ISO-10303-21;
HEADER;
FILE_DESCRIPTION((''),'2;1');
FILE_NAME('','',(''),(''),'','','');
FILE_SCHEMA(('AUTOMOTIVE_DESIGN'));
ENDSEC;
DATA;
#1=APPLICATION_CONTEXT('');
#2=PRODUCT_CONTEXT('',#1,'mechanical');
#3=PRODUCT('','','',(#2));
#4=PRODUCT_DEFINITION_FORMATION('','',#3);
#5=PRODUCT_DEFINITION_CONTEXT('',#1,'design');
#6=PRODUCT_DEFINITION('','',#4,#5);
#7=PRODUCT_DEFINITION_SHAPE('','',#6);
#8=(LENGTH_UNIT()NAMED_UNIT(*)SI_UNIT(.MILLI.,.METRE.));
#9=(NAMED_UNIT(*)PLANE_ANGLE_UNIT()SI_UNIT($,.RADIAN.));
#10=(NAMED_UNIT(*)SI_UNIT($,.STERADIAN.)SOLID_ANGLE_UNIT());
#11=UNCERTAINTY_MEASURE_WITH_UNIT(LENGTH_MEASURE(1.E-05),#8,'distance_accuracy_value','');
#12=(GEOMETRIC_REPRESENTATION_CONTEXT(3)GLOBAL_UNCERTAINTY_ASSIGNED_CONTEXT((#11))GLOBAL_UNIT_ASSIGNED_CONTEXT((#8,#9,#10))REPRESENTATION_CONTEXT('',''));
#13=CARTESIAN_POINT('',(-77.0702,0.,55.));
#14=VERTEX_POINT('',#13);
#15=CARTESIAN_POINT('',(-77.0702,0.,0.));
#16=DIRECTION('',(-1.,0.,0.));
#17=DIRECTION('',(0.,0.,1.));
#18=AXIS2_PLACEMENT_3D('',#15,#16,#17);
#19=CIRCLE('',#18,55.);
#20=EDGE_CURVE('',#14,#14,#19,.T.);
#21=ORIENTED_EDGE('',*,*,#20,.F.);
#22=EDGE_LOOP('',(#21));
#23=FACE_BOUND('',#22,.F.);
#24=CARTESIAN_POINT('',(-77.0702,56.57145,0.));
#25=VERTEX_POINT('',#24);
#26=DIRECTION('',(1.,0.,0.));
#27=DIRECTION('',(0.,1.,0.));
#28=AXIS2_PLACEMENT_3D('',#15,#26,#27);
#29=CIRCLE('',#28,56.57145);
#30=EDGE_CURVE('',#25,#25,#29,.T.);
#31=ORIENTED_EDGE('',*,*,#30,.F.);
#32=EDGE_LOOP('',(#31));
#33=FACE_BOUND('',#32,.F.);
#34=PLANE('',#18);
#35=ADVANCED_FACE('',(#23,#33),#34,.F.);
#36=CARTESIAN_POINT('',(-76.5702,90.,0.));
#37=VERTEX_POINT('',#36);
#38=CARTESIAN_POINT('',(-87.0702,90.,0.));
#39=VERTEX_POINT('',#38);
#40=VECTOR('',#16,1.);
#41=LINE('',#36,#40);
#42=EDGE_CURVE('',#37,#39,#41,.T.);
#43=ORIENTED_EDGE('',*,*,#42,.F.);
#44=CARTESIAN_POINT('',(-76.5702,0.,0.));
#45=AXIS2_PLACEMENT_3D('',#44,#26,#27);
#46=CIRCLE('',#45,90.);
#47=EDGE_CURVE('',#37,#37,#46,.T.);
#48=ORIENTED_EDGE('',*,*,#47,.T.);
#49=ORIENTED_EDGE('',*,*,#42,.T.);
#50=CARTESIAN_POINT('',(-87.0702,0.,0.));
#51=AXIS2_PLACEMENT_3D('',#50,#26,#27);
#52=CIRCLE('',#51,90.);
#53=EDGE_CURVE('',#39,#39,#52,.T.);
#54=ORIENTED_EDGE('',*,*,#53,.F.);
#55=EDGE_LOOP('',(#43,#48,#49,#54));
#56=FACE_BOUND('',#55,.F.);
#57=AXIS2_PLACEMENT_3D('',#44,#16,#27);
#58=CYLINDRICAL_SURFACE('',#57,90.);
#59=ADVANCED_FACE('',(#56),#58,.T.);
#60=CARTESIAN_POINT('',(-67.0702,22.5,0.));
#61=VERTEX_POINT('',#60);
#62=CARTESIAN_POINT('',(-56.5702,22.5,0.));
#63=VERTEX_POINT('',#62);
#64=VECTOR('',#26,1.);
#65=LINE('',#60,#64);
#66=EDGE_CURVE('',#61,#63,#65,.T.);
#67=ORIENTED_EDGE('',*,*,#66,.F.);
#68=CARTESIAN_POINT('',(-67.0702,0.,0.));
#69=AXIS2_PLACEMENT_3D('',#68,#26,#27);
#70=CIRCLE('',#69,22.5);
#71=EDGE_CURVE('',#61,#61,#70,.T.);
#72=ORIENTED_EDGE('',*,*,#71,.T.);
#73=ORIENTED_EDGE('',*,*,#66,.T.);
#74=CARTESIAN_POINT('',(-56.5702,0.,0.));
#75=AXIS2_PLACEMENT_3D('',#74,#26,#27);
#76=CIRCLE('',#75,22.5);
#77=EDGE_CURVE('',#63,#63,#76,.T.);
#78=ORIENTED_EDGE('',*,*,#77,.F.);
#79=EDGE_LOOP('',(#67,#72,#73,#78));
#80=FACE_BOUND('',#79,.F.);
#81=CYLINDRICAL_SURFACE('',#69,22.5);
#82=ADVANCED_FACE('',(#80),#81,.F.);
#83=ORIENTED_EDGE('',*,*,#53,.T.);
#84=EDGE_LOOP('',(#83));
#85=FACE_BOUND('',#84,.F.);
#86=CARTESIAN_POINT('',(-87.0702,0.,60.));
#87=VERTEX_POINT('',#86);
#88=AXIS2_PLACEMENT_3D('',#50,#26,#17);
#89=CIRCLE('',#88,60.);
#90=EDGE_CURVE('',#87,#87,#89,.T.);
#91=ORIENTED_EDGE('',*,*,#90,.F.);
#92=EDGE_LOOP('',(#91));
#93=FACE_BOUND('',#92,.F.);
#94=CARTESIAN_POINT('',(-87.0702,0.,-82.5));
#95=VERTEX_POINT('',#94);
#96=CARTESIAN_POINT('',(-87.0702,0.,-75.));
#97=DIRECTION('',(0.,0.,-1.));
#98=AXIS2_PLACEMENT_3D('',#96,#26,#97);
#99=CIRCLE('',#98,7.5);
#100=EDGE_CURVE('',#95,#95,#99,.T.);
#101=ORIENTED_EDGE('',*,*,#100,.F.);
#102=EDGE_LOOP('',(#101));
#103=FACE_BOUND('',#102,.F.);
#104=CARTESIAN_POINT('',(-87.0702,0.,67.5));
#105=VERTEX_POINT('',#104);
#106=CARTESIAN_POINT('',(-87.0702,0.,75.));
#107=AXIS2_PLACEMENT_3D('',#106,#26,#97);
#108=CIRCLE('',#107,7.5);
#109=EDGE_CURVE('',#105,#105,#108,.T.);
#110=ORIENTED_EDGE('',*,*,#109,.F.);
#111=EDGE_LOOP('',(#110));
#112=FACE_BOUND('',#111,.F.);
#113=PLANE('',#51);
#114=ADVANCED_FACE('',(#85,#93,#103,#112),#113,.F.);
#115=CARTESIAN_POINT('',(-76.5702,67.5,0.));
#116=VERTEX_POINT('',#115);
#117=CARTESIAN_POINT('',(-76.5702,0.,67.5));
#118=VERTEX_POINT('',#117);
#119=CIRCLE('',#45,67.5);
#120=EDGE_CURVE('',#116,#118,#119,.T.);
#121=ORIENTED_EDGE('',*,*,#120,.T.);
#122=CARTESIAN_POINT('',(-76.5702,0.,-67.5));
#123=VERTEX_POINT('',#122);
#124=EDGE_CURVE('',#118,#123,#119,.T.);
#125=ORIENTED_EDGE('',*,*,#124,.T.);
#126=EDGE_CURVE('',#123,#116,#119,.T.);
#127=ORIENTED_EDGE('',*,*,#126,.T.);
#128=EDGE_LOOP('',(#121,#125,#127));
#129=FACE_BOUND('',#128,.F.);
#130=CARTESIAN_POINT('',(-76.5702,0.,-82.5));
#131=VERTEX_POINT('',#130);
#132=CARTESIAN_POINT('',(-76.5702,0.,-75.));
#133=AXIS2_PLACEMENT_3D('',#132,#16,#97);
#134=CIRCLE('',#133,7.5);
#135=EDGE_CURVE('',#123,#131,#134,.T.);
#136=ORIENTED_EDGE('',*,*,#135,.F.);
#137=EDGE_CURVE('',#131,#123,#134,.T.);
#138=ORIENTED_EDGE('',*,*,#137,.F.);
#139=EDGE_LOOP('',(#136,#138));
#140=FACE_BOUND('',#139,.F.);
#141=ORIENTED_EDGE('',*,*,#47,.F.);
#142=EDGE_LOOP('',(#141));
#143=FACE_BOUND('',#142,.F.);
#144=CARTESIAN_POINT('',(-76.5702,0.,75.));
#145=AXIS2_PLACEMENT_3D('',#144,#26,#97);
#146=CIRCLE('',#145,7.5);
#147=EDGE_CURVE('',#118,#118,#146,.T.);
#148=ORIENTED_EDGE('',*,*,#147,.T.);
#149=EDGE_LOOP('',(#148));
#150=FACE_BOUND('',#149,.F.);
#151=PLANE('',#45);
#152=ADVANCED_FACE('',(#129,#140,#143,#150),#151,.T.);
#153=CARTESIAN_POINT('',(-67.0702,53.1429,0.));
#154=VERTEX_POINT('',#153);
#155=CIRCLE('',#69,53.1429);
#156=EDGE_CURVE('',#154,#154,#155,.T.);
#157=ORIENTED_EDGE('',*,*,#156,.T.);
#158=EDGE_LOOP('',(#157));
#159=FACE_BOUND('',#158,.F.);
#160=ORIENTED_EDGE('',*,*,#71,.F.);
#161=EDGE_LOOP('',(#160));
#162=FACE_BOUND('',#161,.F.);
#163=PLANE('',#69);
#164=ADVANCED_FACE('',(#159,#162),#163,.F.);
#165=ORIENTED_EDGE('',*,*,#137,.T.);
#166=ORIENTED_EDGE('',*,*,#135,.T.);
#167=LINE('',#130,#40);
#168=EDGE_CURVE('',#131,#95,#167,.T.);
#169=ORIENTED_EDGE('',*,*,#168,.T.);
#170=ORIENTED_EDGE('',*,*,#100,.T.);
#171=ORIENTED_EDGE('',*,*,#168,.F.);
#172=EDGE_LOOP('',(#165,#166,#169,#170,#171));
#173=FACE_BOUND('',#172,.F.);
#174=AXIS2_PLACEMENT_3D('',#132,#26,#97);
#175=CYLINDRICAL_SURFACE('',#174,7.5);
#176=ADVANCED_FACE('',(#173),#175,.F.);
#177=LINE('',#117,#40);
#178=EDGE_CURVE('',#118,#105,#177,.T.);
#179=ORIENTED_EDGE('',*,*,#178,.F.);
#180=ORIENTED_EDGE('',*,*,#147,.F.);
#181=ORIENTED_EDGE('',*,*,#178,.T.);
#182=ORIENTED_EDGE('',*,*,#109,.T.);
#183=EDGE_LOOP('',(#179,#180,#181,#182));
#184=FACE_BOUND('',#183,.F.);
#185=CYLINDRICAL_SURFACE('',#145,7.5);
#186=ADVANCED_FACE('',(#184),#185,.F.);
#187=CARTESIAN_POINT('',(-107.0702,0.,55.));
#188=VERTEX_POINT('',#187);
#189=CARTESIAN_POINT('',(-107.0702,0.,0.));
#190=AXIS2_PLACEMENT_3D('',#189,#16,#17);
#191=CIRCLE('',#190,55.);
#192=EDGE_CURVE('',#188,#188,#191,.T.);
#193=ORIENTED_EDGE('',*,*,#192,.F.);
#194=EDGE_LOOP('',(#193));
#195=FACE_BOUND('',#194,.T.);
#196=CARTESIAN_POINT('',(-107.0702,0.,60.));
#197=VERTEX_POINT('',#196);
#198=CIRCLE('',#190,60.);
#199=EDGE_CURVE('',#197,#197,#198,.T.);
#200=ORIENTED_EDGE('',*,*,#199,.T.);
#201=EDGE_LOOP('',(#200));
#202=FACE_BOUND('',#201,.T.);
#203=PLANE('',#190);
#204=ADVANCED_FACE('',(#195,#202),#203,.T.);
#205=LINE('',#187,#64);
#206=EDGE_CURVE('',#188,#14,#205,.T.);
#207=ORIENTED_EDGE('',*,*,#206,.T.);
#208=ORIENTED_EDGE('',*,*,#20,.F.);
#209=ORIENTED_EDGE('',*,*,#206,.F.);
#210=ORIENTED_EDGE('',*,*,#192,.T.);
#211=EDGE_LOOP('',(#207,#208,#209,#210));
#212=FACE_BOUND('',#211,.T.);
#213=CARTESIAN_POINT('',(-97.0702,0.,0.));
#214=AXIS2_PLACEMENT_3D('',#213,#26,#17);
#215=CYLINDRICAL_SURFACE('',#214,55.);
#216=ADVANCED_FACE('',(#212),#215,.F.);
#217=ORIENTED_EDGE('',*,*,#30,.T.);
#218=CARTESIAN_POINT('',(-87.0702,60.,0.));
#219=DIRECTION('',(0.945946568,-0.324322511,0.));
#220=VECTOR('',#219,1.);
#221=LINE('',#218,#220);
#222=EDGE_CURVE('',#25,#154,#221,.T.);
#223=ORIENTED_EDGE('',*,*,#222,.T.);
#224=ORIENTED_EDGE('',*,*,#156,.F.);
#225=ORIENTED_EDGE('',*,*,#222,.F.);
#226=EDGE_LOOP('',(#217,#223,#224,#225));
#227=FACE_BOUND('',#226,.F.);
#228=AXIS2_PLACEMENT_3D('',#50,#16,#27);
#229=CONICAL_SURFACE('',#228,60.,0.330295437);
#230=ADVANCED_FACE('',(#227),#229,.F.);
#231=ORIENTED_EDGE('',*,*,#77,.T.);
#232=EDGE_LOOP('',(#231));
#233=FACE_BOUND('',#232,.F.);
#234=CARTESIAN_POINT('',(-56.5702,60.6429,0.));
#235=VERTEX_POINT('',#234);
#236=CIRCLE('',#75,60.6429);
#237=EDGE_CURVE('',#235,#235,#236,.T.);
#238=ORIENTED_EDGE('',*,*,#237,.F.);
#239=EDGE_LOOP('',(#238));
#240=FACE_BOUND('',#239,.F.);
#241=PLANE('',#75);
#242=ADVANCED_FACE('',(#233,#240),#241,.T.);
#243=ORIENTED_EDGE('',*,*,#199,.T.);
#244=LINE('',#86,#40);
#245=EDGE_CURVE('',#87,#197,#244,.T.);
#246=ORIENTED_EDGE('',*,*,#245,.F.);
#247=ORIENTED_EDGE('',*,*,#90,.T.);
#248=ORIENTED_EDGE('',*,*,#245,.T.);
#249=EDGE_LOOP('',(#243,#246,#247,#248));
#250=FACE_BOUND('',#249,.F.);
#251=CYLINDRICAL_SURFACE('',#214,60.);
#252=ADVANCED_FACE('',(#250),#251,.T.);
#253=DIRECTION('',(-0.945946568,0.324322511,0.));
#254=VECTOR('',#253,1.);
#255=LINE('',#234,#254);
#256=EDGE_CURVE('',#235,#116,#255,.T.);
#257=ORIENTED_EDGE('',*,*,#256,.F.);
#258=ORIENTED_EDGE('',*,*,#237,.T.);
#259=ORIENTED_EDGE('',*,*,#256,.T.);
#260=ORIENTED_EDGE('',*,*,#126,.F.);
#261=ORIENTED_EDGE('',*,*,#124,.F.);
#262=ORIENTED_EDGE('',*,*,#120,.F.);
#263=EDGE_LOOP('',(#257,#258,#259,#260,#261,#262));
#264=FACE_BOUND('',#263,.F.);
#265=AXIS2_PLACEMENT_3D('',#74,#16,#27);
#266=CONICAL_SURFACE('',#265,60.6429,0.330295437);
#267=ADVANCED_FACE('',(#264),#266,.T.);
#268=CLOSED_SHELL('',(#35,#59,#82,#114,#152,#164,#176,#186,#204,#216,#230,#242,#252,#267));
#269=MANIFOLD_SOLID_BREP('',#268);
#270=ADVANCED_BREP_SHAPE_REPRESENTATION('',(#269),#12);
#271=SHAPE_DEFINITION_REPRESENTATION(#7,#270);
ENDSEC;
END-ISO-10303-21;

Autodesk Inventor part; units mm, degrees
ref_plane "YZ Plane" through (0, 0, 0) normal (1, 0, 0) x (0, 1, 0)
ref_plane "XZ Plane" through (0, 0, 0) normal (0, 1, 0) x (-1, 0, 0)
ref_plane "XY Plane" through (0, 0, 0) normal (0, 0, 1) x (1, 0, 0)
sketch "Sketch1" plane through (0, 0, 0) normal (0, 0, 1) x (1, 0, 0)
  line L0 (-56.5702, 22.5) -> (-56.5702, 60.6429)
  line L1 (-56.5702, 60.6429) -> (-76.5702, 67.5)
  line L2 (-76.5702, 67.5) -> (-76.5702, 90)
  line L3 (-76.5702, 90) -> (-87.0702, 90)
  line L4 (-87.0702, 90) -> (-87.0702, 60)
  line L5 (-87.0702, 60) -> (-67.0702, 53.1429)
  line L6 (-67.0702, 53.1429) -> (-67.0702, 22.5)
  line L7 (-67.0702, 22.5) -> (-56.5702, 22.5)
  line L8 (-104.4843, 0) -> (17.414, 0) projected
  point P0 (0, 0)
  dimension "d11" = 22.5
  dimension "d12" = 90
  dimension "d13" = 60
  dimension "d17" = 20
  dimension "d18" = 56.5702
  dimension "d24" = 22.5
  dimension "d31" = 10.5
  dimension "d32" = 10.5
  dimension "d33" = 10.5
revolve "Revolution1" add sketch "Sketch1" angle 360 about axis through (-10, 0, 0) along (1, 0, 0)
sketch "Sketch2" plane through (-76.5702, 0, 0) normal (1, 0, 0) x (0, 0, -1)
  circle A0 centre (0, 0) radius 67.5 projected
  circle A1 centre (0, 0) radius 75 construction
  circle A2 centre (-75, 0) radius 7.5
  circle A3 centre (75, 0) radius 7.5
  dimension "d21" = 150
  dimension "d22" = 15
  dimension "d23" = 15
extrude "Extrusion1" cut sketch "Sketch2" against normal through all contours A2 | A3
sketch "Sketch3" plane through (-87.0702, 0, 0) normal (-1, 0, 0) x (0, 0, 1)
  circle A0 centre (0, 0) radius 60.6429 projected
  circle A1 centre (0, 0) radius 60
  circle A2 centre (0, 0) radius 55
  dimension "d27" = 120
  dimension "d28" = 110
extrude "Extrusion2" add sketch "Sketch3" along normal mid plane 20 contours A1
sketch "Sketch4" plane through (-97.0702, 0, 0) normal (-1, 0, 0) x (0, 0, 1)
  circle A0 centre (0, 0) radius 55
  circle A1 centre (0, 0) radius 60
  dimension "d34" = 110
  dimension "d35" = 120
extrude "Extrusion3" add sketch "Sketch4" along normal blind 10
properties part number "Cover"
